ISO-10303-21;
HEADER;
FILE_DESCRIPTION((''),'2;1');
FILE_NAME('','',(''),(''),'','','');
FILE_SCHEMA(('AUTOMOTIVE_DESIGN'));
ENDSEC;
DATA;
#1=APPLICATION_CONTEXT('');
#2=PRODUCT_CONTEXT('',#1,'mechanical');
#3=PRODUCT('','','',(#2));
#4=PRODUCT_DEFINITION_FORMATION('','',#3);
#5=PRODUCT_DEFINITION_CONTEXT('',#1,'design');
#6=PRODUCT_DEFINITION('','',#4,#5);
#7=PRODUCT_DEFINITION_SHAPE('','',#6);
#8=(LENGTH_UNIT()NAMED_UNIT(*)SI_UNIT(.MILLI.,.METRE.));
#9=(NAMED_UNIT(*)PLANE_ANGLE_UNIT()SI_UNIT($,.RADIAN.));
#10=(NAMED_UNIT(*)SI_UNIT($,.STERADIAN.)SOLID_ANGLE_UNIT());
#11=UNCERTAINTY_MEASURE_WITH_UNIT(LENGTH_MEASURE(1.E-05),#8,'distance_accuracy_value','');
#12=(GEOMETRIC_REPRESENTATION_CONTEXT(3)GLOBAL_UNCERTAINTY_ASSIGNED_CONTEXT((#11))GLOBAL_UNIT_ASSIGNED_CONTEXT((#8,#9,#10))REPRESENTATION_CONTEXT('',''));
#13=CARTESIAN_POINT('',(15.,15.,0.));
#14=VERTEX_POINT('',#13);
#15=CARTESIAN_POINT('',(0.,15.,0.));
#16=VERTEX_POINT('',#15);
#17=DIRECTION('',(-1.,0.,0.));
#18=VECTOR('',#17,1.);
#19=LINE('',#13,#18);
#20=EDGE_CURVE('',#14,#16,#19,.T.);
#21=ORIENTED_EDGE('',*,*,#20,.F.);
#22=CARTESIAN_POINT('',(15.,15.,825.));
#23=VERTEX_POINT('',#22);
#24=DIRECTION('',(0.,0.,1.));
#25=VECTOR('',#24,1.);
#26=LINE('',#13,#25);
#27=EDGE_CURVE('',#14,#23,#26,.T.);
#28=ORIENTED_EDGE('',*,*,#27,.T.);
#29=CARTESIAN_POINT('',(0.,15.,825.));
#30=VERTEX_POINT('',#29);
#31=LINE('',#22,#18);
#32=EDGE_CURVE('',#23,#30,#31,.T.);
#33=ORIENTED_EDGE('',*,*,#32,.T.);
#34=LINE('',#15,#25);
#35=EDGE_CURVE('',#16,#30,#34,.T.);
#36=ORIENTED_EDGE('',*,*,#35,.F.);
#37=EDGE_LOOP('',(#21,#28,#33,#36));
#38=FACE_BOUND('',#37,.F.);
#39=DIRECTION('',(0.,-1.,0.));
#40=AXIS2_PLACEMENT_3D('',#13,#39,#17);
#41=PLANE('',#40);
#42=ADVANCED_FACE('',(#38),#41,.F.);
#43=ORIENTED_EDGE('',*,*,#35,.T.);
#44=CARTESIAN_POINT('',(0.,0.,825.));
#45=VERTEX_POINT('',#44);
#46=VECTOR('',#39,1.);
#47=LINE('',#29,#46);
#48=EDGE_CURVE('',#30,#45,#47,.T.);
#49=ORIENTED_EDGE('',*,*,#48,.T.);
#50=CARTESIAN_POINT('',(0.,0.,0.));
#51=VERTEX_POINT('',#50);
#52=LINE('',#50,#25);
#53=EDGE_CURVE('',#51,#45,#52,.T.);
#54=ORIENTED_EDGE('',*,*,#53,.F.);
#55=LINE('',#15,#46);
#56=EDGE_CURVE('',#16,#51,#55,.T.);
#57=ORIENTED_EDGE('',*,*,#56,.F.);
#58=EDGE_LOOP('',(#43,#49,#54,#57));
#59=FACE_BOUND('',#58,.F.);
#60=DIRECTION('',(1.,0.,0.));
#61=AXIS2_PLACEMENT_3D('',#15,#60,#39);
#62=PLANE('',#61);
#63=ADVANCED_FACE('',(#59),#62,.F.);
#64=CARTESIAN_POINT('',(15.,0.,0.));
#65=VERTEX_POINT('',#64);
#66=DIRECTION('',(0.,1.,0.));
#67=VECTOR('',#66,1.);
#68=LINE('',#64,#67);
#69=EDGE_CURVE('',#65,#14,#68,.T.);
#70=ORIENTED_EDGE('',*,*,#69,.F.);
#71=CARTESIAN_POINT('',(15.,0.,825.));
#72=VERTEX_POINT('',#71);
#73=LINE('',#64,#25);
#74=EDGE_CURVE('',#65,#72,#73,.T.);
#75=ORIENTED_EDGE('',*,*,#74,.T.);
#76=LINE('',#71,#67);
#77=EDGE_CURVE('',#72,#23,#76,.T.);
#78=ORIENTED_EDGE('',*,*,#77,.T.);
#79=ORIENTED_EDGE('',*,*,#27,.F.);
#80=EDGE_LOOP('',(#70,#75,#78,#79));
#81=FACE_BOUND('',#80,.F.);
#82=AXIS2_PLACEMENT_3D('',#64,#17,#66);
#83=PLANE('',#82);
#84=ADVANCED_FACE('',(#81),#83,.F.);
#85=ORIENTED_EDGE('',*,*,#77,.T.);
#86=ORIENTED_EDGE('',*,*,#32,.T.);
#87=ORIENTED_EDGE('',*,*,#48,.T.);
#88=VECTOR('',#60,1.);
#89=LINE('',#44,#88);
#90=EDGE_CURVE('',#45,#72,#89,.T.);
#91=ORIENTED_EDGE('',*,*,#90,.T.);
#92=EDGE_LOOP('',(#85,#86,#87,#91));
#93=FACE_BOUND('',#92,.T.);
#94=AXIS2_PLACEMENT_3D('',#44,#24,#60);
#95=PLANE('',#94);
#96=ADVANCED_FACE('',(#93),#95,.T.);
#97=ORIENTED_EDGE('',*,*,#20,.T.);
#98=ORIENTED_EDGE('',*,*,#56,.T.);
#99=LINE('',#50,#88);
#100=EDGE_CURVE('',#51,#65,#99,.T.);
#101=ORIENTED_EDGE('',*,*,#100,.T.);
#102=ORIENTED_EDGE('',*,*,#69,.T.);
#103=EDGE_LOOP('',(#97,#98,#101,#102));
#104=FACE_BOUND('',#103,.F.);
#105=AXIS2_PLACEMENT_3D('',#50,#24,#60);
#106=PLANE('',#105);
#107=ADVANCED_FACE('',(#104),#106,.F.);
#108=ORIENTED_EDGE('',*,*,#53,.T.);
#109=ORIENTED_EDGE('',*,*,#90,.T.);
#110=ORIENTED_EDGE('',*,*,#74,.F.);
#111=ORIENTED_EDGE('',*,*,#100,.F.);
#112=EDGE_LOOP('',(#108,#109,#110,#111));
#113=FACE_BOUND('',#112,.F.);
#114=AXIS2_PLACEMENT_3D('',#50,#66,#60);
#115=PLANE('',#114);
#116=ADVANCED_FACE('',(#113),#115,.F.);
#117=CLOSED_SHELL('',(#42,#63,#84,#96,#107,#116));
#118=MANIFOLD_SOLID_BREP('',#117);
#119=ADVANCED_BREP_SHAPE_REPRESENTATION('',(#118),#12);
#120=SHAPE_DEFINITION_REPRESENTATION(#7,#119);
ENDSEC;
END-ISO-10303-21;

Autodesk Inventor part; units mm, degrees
ref_plane "YZ Plane" through (0, 0, 0) normal (1, 0, 0) x (0, 1, 0)
ref_plane "XZ Plane" through (0, 0, 0) normal (0, 1, 0) x (-1, 0, 0)
ref_plane "XY Plane" through (0, 0, 0) normal (0, 0, 1) x (1, 0, 0)
sketch "スケッチ1" plane through (0, 0, 0) normal (0, 0, 1) x (1, 0, 0)
  line L0 (0, 0) -> (15, 0)
  line L1 (15, 0) -> (15, 15)
  line L2 (15, 15) -> (0, 15)
  line L3 (0, 15) -> (0, 0)
  dimension "d0" = 15
  dimension "d1" = 15
extrude "押し出し1" add sketch "スケッチ1" along normal blind 825
sketch "スケッチ2" plane through (0, 15, 825) normal (0, 1, 0) x (1, 0, 0)
  line L0 (0, 412.5) -> (15, 412.5)
  line L1 (15, 825) -> (15, 0) projected
  line L2 (15, 825) -> (0, 825) projected
  dimension "d5" = 412.5
properties part number "試作_825"
